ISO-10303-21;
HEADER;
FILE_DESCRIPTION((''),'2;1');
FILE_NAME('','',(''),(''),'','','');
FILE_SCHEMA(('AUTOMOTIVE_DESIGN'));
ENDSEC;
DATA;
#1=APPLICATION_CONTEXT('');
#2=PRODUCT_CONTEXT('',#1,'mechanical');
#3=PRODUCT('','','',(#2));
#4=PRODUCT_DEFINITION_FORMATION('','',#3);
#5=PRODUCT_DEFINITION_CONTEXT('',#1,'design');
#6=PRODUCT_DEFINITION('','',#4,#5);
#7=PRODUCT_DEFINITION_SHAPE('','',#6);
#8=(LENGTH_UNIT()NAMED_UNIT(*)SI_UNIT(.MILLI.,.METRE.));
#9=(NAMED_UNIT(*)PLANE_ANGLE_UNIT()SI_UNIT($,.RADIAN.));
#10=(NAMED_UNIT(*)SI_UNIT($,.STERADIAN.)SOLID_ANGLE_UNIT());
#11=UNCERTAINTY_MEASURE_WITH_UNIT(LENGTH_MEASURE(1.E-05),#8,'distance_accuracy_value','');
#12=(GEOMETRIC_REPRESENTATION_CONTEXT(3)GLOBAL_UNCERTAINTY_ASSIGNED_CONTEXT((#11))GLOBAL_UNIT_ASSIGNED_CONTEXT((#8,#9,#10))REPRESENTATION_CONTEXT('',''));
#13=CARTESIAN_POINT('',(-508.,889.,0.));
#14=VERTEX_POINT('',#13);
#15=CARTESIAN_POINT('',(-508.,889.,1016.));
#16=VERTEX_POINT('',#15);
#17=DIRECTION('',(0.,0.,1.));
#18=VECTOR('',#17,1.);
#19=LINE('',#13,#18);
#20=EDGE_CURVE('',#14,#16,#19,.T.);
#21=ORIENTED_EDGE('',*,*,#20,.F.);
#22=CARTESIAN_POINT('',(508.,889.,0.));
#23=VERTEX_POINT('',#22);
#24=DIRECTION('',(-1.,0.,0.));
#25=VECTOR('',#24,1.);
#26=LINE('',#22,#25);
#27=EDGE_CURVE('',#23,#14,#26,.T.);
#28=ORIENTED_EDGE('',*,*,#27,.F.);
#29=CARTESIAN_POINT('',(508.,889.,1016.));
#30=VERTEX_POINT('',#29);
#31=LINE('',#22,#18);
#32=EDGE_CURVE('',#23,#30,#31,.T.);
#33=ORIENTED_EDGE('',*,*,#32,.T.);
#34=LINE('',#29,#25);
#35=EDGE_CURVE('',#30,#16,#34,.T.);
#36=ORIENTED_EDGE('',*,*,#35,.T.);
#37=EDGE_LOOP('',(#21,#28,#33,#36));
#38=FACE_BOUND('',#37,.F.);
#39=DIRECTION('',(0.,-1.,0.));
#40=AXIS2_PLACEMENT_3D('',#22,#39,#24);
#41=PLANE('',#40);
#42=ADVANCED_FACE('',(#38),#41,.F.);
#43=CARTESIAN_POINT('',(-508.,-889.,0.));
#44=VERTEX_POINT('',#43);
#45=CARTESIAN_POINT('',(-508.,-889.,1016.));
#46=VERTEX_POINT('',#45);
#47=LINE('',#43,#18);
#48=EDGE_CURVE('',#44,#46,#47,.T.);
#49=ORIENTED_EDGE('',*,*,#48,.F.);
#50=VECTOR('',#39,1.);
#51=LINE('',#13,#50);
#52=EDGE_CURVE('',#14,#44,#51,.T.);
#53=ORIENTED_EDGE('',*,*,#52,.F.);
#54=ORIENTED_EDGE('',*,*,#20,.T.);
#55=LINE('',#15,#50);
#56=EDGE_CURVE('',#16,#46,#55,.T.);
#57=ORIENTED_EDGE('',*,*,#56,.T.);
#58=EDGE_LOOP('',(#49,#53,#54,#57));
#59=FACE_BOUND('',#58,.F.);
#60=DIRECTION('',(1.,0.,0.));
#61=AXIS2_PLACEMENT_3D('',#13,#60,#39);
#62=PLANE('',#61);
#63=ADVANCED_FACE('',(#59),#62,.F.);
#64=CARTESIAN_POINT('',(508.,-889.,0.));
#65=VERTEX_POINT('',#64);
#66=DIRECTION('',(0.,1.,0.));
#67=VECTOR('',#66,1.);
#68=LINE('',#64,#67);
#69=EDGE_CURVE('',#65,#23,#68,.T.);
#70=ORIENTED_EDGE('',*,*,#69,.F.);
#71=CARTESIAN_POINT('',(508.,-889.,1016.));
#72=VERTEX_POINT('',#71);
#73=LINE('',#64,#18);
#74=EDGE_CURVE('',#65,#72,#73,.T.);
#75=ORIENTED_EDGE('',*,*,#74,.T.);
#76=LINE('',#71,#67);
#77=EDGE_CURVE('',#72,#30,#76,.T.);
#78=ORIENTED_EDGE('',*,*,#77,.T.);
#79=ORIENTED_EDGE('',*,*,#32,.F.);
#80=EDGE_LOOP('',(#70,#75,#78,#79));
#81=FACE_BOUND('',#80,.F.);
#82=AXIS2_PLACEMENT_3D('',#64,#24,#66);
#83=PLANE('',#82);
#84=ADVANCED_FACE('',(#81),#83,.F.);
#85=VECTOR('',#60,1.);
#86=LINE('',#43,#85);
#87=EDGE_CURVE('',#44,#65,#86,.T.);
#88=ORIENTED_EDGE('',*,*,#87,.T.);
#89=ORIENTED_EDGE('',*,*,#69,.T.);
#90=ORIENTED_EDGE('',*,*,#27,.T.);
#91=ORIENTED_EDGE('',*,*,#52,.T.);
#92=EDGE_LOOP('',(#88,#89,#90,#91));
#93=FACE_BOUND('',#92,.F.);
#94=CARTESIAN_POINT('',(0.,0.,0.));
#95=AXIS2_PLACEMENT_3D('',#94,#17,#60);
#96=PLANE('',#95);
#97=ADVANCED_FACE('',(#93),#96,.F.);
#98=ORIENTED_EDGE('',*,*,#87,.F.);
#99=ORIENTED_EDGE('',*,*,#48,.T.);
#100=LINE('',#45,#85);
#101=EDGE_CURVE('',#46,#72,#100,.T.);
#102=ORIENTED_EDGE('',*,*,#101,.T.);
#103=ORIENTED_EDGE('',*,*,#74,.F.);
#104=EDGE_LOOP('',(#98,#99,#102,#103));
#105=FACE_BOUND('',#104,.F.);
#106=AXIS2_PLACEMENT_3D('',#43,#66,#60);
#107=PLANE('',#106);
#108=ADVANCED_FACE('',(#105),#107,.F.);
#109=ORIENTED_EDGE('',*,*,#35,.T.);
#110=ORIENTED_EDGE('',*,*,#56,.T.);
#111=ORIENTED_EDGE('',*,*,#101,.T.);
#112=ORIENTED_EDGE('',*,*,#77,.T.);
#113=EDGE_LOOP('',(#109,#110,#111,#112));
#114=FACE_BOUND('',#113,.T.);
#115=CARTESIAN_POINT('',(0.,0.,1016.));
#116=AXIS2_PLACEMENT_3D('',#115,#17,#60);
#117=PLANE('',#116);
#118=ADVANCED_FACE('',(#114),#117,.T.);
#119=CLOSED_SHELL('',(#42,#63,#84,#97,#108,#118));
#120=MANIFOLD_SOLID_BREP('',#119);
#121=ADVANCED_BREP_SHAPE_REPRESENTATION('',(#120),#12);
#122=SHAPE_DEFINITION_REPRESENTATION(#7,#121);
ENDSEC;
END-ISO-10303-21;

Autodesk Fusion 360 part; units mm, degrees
sketch "Sketch1" plane through (0, 0, 0) normal (0, 0, 1) x (1, 0, 0)
  line L0 (508, 889) -> (-508, 889)
  line L1 (-508, 889) -> (-508, -889)
  line L2 (-508, -889) -> (508, -889)
  line L3 (508, -889) -> (508, 889)
  line L4 (508, 889) -> (-508, -889) construction
  line L5 (-508, 889) -> (508, -889) construction
  dimension "LengthValue" = 1778
  dimension "WidthValue" = 1016
extrude "Extrude1" add sketch "Sketch1" along normal blind 1016
equation "LengthValue = Length"
equation "WidthValue = Width"
equation "Heightvalue = Height"
equation "Height = 40 in"
equation "Width = 40 in"
equation "Length = 70 in"
